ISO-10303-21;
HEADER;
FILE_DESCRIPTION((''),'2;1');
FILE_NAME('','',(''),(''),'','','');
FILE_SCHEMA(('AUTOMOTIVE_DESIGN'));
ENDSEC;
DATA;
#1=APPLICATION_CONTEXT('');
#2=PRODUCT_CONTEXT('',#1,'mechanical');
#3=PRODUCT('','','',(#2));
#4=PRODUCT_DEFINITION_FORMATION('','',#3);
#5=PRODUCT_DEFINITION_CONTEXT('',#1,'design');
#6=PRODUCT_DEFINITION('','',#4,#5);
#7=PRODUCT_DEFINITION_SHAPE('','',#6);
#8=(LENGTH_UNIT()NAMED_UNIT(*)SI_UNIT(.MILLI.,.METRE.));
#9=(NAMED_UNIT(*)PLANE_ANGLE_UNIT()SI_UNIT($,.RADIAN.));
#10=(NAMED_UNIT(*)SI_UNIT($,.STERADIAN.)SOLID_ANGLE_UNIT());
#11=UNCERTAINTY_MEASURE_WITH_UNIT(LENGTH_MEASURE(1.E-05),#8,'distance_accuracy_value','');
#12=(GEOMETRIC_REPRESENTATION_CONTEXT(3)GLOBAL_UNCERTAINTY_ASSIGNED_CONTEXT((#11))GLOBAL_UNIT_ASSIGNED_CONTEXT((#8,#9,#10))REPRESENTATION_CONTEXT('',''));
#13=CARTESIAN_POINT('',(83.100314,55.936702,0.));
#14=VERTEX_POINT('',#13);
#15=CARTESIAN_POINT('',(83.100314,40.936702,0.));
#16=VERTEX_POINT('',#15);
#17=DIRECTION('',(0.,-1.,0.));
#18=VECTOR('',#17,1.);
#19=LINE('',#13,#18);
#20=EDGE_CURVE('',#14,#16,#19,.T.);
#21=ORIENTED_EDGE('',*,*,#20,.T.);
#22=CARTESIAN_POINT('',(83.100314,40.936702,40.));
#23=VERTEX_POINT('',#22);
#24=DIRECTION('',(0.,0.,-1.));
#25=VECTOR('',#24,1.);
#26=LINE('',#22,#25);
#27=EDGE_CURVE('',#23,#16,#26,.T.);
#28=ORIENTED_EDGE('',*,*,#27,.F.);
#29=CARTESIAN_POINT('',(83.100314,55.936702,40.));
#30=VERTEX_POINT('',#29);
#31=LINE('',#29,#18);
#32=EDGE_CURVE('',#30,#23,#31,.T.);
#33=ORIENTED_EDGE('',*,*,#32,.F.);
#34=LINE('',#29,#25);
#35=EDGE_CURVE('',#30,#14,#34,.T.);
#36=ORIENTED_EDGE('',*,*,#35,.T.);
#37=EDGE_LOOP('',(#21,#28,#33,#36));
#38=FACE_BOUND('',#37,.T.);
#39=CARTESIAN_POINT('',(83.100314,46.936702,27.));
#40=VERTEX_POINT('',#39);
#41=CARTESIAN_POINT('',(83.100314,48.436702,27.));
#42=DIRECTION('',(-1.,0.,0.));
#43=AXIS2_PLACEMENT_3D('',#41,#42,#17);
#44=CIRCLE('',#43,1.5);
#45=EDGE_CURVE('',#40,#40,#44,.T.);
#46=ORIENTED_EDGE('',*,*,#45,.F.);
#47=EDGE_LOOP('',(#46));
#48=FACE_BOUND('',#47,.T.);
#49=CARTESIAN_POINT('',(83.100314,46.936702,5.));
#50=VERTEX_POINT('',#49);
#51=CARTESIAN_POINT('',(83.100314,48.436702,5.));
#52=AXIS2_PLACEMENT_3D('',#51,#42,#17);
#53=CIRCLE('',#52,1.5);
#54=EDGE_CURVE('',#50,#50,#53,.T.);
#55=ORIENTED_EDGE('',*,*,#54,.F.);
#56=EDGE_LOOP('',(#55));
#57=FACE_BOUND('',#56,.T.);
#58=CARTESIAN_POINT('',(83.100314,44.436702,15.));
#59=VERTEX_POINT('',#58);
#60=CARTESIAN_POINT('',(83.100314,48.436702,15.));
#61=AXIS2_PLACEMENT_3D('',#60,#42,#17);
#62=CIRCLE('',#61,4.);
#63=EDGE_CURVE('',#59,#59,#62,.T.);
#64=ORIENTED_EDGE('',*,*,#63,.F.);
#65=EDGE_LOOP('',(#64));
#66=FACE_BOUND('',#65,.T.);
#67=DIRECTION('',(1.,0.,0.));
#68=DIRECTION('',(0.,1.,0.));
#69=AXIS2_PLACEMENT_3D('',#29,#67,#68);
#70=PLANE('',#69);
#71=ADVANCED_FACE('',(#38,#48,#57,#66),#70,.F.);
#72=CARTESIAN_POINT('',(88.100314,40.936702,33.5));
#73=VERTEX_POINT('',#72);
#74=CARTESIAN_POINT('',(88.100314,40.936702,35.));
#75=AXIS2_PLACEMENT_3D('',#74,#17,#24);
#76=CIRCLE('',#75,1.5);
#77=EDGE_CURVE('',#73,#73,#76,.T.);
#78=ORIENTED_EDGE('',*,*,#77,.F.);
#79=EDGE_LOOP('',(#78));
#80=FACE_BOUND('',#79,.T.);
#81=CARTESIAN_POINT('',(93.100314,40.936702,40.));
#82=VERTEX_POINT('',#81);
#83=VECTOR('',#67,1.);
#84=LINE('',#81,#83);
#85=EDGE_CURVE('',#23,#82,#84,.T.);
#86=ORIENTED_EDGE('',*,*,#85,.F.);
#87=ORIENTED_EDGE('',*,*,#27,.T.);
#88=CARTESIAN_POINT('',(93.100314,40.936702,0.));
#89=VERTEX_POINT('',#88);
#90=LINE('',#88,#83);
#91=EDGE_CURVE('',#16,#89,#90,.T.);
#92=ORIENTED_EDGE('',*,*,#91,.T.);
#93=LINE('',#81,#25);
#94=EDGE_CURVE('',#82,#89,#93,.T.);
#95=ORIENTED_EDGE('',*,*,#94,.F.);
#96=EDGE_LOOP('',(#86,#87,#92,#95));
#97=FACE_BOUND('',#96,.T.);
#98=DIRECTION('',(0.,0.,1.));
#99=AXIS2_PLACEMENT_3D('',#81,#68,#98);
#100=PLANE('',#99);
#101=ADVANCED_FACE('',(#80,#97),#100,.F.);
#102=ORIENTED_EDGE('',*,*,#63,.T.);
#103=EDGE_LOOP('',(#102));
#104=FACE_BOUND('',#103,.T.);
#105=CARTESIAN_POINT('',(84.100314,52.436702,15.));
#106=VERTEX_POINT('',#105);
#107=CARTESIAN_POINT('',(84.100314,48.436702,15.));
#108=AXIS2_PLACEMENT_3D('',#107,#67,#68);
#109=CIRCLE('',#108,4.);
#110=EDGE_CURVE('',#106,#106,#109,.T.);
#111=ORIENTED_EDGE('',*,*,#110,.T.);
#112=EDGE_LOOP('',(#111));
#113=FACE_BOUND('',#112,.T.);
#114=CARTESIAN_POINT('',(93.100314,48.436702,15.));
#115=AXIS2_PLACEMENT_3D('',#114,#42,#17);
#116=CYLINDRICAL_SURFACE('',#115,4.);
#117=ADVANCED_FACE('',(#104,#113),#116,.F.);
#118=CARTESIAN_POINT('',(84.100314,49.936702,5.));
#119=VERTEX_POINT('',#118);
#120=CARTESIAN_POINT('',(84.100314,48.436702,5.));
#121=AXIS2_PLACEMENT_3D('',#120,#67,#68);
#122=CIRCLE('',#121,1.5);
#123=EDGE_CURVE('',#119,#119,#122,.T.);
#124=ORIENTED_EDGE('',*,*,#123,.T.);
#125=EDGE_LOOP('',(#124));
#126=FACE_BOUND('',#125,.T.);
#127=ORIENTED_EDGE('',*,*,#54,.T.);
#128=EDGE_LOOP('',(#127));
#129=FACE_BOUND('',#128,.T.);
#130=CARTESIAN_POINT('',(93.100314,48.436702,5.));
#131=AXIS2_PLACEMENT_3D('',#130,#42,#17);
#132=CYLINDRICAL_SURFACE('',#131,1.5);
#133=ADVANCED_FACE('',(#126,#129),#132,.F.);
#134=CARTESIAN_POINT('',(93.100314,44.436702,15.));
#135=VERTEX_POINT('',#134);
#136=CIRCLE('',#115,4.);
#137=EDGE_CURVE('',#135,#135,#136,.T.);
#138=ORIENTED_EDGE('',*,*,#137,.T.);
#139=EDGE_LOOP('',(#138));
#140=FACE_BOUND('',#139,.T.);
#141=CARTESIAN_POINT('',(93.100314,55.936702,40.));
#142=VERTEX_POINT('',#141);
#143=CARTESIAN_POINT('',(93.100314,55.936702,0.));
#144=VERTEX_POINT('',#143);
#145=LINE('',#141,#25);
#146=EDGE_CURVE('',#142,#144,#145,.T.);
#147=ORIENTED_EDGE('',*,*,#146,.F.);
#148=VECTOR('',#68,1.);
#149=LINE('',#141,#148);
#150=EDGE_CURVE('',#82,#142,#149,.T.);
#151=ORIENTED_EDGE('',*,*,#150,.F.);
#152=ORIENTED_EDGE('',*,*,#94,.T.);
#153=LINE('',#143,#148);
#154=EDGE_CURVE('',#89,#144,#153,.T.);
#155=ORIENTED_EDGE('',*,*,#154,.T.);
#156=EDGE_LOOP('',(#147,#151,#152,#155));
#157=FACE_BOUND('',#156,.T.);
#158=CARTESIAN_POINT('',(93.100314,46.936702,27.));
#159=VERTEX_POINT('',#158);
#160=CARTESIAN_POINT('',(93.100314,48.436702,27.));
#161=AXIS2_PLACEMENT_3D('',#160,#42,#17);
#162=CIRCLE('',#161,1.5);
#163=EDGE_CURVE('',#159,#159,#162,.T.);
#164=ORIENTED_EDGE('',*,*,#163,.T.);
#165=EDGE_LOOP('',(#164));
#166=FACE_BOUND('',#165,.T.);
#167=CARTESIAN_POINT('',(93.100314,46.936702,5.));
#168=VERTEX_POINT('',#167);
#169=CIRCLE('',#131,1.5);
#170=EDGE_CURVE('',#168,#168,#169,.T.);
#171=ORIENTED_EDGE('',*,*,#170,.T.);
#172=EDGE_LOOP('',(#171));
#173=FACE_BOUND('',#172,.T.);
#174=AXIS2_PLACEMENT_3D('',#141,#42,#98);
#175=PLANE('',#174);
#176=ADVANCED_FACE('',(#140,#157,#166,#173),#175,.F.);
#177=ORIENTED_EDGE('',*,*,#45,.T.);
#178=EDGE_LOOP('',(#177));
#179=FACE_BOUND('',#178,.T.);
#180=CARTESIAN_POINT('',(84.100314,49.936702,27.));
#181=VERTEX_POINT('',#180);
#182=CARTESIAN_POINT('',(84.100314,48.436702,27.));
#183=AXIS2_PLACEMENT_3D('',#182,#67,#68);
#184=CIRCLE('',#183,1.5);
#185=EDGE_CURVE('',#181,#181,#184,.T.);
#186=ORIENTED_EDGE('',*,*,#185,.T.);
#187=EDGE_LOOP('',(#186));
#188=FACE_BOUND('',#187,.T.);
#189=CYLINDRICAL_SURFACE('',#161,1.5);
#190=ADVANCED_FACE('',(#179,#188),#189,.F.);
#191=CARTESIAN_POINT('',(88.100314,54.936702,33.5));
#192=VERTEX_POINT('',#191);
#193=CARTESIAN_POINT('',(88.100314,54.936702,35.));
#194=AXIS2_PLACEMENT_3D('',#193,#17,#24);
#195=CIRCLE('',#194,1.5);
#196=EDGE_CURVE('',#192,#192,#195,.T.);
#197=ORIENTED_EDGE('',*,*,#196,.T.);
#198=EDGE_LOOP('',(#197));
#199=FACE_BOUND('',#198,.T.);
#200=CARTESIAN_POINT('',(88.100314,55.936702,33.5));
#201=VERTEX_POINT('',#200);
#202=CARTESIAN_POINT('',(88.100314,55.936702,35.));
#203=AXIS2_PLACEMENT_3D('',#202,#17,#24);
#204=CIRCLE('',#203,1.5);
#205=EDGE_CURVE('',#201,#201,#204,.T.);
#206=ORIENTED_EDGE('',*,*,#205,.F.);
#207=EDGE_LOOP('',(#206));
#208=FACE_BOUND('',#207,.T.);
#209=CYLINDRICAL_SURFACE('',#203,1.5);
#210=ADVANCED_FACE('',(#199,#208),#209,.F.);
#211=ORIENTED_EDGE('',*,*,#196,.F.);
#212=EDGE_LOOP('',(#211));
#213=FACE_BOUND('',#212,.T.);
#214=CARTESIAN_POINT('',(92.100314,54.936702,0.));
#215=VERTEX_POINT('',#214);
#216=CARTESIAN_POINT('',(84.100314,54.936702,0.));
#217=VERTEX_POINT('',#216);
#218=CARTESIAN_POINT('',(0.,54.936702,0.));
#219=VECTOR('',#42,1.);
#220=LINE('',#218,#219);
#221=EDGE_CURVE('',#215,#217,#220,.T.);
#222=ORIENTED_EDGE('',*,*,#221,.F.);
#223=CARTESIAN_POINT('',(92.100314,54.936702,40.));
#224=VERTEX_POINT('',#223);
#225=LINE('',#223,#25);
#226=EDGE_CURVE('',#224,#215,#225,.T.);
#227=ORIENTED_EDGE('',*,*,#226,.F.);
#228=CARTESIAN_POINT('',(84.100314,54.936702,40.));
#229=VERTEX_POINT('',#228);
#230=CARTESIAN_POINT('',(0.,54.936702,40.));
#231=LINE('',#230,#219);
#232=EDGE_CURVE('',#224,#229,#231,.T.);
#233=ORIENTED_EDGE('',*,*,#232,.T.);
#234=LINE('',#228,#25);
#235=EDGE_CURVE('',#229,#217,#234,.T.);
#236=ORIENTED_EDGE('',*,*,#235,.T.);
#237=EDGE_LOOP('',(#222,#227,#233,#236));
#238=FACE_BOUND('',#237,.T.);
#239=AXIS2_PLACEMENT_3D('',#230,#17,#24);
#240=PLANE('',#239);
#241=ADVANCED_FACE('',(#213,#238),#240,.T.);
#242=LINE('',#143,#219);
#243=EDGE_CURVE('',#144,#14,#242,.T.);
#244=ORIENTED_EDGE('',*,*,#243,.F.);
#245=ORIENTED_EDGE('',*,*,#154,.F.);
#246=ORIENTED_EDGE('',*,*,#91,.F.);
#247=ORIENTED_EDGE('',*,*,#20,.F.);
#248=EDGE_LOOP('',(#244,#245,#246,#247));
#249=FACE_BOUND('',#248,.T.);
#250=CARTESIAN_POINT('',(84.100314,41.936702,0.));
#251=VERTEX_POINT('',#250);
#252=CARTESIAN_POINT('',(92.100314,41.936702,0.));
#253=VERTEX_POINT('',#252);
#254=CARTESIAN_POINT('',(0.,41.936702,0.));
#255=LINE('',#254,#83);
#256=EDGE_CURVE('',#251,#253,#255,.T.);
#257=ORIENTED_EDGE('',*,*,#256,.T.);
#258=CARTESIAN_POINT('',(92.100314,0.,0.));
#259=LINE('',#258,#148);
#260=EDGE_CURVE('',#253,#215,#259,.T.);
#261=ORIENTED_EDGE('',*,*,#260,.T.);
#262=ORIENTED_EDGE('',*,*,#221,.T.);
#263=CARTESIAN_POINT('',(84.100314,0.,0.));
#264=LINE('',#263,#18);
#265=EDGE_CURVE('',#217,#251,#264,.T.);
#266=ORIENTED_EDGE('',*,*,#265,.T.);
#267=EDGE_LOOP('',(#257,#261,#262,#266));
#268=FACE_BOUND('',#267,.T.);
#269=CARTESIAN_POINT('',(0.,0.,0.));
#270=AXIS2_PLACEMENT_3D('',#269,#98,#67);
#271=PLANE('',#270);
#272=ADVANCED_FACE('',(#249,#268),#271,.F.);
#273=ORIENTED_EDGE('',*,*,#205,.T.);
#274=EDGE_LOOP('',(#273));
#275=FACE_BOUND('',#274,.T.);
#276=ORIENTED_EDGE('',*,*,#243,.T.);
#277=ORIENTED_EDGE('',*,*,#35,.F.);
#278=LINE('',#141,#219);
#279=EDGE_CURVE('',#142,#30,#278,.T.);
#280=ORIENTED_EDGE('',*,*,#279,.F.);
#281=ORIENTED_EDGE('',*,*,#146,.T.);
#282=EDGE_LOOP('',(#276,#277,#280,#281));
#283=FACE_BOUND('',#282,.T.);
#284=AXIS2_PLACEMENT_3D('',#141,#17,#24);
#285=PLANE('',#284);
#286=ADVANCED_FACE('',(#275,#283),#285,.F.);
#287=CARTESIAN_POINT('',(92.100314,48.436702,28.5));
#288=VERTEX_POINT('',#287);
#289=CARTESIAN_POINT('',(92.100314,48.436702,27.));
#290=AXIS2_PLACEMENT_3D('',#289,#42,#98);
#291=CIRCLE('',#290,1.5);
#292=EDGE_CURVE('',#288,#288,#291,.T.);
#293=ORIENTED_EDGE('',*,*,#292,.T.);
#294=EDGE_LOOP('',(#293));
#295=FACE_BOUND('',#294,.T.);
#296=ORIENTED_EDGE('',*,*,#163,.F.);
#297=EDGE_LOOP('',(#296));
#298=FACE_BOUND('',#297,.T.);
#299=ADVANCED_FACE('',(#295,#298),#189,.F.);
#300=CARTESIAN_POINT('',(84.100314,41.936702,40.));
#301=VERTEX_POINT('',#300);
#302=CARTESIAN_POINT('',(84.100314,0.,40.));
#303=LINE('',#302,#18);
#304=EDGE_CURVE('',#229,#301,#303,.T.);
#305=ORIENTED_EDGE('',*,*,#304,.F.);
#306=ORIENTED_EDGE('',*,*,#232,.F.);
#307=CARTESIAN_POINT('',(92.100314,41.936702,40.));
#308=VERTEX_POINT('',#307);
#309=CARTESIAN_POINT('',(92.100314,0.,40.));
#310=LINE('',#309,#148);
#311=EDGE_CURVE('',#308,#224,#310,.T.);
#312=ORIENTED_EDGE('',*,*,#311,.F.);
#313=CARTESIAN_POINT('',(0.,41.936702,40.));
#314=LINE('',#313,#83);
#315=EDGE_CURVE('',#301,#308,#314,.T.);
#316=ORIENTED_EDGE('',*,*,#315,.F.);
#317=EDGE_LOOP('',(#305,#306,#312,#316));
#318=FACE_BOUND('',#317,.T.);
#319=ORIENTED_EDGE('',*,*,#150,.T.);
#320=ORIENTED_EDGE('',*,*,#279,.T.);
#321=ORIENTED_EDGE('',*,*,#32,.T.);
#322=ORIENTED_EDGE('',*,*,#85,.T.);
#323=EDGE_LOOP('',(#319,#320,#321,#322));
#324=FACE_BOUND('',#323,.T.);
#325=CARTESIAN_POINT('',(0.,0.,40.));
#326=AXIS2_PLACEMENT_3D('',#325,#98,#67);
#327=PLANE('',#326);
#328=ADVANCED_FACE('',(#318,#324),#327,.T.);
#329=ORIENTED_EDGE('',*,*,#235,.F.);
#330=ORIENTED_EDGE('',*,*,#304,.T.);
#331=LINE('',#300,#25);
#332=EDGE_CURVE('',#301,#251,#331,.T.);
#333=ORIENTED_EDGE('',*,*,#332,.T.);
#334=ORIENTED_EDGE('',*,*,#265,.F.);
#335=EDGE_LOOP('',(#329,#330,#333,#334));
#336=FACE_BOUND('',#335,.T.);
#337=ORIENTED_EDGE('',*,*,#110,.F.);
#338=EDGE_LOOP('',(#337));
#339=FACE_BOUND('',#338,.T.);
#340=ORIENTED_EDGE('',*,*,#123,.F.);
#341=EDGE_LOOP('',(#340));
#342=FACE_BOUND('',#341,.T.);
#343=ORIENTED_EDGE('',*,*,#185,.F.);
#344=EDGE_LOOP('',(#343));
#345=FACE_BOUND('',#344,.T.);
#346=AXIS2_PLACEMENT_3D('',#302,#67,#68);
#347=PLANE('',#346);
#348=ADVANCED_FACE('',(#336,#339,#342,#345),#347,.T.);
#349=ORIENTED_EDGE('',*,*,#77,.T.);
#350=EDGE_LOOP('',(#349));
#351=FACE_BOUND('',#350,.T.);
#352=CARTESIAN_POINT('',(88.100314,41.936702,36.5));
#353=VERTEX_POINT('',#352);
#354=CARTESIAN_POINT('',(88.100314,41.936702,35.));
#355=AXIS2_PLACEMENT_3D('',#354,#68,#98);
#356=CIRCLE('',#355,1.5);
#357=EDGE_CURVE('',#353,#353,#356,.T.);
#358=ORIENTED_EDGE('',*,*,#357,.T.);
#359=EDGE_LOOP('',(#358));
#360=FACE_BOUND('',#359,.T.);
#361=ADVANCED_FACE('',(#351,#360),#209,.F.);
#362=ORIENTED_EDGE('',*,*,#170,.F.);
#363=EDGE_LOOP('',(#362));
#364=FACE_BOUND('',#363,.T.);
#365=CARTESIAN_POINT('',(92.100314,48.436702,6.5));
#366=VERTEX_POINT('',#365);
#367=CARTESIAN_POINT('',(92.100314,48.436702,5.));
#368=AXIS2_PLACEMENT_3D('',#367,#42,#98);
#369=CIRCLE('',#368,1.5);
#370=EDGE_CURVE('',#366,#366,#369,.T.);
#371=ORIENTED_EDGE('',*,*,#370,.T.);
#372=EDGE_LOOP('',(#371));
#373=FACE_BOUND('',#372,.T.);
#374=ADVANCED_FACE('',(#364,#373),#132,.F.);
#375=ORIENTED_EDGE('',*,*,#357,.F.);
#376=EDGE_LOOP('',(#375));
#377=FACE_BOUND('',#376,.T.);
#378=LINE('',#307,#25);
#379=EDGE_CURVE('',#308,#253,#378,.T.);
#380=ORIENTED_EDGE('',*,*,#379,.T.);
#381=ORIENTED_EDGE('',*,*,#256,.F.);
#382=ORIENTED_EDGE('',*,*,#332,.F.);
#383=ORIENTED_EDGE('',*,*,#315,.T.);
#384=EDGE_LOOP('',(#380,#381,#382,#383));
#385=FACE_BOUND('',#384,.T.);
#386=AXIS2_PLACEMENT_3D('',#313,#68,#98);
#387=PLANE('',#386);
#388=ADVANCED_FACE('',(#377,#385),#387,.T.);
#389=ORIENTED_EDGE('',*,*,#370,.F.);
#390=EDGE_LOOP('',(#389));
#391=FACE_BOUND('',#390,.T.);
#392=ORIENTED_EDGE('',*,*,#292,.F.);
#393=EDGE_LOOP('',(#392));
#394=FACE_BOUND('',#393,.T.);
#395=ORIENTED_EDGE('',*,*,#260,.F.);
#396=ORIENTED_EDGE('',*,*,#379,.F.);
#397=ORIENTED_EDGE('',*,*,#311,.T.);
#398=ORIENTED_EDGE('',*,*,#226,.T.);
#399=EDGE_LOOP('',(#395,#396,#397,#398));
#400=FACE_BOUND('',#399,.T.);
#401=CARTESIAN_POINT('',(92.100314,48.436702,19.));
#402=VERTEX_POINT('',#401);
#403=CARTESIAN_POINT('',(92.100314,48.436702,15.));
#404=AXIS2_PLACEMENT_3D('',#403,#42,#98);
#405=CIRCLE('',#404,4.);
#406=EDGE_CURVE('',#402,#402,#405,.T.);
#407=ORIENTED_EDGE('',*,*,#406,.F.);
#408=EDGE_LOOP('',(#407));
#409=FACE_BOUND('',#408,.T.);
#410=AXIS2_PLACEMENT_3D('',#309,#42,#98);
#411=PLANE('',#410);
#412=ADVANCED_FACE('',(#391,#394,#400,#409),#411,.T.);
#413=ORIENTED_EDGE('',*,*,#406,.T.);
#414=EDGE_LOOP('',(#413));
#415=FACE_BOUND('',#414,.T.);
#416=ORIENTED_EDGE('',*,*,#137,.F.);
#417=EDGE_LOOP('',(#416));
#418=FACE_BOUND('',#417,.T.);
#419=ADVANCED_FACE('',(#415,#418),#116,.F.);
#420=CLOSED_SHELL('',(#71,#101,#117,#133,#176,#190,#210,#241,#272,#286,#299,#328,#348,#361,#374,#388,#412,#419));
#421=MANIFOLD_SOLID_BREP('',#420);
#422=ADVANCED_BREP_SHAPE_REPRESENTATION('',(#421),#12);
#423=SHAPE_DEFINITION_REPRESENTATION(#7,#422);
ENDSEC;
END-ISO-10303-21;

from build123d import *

# Parameters (mm, degrees)
SKETCH_1_W          = 10
SKETCH_1_H          = 15
SKETCH_1_W_2        = 8
SKETCH_1_H_2        = 13
EXTRUDE_1_DEPTH     = 40
SKETCH_2_R          = 1.5
SKETCH_2_R_2        = 4
CUT_EXTRUDE_1_DEPTH = 11
SKETCH_3_R          = 1.5
CUT_EXTRUDE_2_DEPTH = 16


with BuildPart() as part:
    # 草图1 → 拉伸-薄壁1 (new body)
    with BuildSketch(Plane.XY):
        with Locations((88.100313923, 48.436702161)):
            Rectangle(SKETCH_1_W, SKETCH_1_H)
        with Locations((88.100313923, 48.436702161)):
            Rectangle(SKETCH_1_W_2, SKETCH_1_H_2, mode=Mode.SUBTRACT)
    extrude(amount=EXTRUDE_1_DEPTH)

    # 草图2 → 切除-拉伸1 (cut, through all)
    with BuildSketch(Plane.ZY.offset(-83.100313923)):
        with Locations((5, 48.436702161)):
            Circle(SKETCH_2_R)
        with Locations((27, 48.436702161)):
            Circle(SKETCH_2_R)
        with Locations((15, 48.436702161)):
            Circle(SKETCH_2_R_2)
    extrude(amount=-CUT_EXTRUDE_1_DEPTH, mode=Mode.SUBTRACT)

    # 草图3 → 切除-拉伸2 (cut, through all)
    with BuildSketch(Plane.XZ.offset(-40.936702161)):
        with Locations((88.100313923, 35)):
            Circle(SKETCH_3_R)
    extrude(amount=-CUT_EXTRUDE_2_DEPTH, mode=Mode.SUBTRACT)


solid = part.part
